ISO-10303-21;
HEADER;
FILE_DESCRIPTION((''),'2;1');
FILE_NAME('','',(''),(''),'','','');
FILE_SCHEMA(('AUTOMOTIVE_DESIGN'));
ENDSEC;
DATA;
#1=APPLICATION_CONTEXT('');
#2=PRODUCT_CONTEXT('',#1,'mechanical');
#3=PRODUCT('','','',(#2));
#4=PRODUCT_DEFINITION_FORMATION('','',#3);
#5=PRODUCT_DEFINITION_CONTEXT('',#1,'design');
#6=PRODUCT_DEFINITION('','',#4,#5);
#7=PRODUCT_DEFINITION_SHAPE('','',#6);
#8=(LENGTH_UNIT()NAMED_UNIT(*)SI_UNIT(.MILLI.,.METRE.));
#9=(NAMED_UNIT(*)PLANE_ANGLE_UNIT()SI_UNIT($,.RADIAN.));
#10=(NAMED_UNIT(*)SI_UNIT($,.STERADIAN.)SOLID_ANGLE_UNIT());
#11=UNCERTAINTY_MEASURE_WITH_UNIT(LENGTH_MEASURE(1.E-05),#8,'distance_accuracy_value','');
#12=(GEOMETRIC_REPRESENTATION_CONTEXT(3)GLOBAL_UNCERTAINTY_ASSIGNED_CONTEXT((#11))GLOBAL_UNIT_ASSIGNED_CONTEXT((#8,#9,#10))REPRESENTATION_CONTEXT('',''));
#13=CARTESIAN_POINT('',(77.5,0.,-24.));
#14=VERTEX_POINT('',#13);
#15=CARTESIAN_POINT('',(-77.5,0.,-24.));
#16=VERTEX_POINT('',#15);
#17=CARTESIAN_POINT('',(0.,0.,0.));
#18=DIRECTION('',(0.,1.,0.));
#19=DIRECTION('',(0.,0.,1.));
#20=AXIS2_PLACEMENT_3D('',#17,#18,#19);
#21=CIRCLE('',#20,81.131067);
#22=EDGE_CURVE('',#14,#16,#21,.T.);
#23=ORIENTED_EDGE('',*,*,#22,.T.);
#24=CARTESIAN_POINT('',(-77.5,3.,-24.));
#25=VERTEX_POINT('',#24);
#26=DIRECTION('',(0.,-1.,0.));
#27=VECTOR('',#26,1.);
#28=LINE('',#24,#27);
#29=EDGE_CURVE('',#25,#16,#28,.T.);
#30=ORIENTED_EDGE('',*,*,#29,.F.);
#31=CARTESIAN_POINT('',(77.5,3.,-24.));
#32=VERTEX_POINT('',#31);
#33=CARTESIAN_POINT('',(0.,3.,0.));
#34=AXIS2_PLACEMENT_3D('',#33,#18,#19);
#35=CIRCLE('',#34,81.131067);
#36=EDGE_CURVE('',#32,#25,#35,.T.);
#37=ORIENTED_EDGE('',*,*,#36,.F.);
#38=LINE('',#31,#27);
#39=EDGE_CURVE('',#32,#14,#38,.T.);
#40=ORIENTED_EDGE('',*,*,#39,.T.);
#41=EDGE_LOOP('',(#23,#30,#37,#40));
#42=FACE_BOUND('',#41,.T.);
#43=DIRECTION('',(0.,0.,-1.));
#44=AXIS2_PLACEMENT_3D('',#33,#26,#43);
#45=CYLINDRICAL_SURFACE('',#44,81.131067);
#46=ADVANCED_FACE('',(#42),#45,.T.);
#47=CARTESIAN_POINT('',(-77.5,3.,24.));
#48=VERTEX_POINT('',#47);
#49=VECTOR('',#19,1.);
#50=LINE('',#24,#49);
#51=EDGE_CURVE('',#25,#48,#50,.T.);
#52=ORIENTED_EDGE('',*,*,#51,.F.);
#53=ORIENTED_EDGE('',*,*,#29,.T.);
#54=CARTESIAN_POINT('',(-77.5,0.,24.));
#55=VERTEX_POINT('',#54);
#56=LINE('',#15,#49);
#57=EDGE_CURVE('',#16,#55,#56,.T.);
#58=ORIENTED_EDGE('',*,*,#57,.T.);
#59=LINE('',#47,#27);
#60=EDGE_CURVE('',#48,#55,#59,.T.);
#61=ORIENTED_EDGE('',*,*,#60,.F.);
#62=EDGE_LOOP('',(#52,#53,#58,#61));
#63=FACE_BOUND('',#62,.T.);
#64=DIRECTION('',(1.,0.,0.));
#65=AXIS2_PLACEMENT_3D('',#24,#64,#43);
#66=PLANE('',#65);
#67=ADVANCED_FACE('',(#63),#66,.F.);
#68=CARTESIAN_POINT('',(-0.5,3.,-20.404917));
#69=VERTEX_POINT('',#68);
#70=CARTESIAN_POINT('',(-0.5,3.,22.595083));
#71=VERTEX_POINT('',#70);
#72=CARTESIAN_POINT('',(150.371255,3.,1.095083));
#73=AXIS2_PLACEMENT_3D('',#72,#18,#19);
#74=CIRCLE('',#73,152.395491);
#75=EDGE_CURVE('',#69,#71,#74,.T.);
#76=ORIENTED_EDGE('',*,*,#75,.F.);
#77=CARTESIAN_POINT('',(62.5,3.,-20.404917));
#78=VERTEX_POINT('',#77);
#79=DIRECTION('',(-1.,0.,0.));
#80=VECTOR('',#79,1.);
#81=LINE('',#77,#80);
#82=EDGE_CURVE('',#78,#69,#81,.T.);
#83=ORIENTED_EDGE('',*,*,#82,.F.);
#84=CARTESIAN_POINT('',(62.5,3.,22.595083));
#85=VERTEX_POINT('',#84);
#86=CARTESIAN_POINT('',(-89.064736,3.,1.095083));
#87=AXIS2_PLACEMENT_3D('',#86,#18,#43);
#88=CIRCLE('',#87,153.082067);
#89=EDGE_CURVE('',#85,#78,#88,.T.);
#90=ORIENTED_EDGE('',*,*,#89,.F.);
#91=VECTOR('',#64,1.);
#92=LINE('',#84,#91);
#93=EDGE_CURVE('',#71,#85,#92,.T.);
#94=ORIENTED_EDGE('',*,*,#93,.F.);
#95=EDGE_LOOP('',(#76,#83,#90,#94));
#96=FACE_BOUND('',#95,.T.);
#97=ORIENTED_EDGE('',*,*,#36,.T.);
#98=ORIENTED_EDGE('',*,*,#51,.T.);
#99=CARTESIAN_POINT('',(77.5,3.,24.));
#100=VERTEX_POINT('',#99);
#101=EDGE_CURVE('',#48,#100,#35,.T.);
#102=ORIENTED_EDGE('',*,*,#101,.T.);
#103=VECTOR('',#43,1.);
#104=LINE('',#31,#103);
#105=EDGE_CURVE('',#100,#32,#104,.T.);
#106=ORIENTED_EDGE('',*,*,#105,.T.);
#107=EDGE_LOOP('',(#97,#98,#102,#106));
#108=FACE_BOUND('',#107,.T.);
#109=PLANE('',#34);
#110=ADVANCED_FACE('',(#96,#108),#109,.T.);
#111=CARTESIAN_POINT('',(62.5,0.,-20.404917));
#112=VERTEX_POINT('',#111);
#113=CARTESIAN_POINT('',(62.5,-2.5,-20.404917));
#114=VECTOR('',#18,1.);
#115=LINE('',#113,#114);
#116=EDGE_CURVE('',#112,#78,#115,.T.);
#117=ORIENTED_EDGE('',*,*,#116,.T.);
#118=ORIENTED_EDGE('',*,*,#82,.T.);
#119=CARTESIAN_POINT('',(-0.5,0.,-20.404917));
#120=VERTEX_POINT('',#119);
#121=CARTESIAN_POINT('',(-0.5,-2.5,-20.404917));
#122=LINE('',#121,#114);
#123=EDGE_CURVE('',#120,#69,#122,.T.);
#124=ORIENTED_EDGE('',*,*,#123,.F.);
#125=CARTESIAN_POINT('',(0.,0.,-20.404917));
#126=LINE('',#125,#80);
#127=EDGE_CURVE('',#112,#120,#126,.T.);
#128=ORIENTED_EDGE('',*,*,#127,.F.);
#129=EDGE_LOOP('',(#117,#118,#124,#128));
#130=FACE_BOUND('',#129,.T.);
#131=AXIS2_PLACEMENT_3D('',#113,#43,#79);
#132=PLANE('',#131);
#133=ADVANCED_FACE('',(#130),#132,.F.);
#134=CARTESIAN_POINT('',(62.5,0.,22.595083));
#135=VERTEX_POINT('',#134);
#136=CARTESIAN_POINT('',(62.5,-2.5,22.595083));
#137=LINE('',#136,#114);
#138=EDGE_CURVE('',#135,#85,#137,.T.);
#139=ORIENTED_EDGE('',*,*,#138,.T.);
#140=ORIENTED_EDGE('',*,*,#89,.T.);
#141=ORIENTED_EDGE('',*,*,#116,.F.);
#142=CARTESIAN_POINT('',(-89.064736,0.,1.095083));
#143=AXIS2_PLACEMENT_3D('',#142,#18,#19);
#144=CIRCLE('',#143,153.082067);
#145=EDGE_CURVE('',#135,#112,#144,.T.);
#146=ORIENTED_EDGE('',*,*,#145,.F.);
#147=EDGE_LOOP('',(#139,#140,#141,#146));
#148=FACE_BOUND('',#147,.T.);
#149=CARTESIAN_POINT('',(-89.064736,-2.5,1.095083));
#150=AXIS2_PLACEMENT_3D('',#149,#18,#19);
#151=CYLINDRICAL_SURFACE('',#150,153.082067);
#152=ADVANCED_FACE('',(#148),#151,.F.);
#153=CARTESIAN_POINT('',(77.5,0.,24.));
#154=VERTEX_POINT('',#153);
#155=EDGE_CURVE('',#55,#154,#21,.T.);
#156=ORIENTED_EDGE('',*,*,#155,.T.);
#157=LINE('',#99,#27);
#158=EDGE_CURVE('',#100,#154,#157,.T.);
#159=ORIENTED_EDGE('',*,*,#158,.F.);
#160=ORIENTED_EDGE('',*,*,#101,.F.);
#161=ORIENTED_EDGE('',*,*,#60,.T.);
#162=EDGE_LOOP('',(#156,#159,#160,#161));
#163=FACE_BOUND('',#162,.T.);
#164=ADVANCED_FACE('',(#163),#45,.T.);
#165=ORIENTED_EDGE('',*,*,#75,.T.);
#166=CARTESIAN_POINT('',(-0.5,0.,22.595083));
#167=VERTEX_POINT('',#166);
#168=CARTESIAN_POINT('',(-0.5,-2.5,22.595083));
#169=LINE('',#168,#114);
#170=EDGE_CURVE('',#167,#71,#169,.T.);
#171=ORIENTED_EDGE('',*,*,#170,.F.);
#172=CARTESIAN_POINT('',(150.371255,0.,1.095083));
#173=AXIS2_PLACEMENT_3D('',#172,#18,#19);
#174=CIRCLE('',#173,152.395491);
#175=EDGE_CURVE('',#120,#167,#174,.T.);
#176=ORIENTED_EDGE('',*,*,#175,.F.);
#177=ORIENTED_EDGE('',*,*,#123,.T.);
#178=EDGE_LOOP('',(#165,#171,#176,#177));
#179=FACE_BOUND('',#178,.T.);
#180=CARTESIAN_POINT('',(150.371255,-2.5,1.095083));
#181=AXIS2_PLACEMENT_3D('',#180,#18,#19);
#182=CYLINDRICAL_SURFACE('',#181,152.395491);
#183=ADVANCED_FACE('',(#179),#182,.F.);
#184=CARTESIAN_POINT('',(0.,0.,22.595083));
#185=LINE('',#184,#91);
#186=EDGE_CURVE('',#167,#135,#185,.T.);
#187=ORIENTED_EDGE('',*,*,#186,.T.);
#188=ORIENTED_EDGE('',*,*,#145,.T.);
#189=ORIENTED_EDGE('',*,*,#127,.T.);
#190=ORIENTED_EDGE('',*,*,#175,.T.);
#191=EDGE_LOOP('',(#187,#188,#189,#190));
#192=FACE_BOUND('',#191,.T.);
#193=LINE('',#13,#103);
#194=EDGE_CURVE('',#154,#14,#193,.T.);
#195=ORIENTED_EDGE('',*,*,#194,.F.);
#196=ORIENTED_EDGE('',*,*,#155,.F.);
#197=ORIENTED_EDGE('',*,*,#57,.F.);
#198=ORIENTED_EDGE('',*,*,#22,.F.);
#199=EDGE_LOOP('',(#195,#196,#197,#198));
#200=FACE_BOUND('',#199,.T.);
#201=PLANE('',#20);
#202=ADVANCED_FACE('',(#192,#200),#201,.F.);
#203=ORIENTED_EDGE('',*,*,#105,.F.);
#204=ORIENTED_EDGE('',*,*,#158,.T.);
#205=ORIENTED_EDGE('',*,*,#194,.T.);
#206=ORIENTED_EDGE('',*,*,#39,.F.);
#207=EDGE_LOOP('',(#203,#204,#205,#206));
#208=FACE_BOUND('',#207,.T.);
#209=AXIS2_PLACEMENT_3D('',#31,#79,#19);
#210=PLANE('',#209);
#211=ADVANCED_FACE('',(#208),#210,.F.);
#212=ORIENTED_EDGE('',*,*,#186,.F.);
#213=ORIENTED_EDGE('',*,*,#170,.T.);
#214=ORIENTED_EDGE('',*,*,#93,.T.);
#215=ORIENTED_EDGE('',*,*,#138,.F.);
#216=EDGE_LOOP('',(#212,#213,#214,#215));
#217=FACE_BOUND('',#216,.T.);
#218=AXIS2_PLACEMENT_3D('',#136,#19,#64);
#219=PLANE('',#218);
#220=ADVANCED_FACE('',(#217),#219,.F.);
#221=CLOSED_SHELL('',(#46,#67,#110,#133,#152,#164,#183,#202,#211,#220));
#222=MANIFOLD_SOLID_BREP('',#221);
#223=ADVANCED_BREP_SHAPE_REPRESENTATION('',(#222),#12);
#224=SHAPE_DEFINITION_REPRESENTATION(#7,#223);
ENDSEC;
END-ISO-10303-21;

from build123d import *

# Parameters (mm, degrees)
Y_KSEKLIK_EKSTR_ZYON1_DEPTH = 3
KES_EKSTR_ZYON2_DEPTH       = 5.5


with BuildPart() as part:
    # Çizim1 → Yükseklik-Ekstrüzyon1 (new body)
    with BuildSketch(Plane(origin=(0, 0, 0), x_dir=(1, 0, 0), z_dir=(0, 1, 0))):
        with BuildLine():
            Line((-77.5, 24), (-77.5, -24))
            ThreePointArc((-77.5, -24), (0, -81.131066799), (77.5, -24))
            Line((77.5, -24), (77.5, 24))
            ThreePointArc((77.5, 24), (0, 81.131066799), (-77.5, 24))
        make_face()
    extrude(amount=Y_KSEKLIK_EKSTR_ZYON1_DEPTH)

    # Çizim4 → Kes-Ekstrüzyon2 (cut)
    with BuildSketch(Plane(origin=(0, 3, 0), x_dir=(1, 0, 0), z_dir=(0, 1, 0))):
        with BuildLine():
            Line((62.5, 20.404916559), (-0.5, 20.404916559))
            ThreePointArc((-0.5, 20.404916559), (-2.024235699, -1.095083441), (-0.5, -22.595083441))
            Line((-0.5, -22.595083441), (62.5, -22.595083441))
            ThreePointArc((62.5, -22.595083441), (64.017330872, -1.095083441), (62.5, 20.404916559))
        make_face()
    extrude(amount=-KES_EKSTR_ZYON2_DEPTH, mode=Mode.SUBTRACT)


solid = part.part
